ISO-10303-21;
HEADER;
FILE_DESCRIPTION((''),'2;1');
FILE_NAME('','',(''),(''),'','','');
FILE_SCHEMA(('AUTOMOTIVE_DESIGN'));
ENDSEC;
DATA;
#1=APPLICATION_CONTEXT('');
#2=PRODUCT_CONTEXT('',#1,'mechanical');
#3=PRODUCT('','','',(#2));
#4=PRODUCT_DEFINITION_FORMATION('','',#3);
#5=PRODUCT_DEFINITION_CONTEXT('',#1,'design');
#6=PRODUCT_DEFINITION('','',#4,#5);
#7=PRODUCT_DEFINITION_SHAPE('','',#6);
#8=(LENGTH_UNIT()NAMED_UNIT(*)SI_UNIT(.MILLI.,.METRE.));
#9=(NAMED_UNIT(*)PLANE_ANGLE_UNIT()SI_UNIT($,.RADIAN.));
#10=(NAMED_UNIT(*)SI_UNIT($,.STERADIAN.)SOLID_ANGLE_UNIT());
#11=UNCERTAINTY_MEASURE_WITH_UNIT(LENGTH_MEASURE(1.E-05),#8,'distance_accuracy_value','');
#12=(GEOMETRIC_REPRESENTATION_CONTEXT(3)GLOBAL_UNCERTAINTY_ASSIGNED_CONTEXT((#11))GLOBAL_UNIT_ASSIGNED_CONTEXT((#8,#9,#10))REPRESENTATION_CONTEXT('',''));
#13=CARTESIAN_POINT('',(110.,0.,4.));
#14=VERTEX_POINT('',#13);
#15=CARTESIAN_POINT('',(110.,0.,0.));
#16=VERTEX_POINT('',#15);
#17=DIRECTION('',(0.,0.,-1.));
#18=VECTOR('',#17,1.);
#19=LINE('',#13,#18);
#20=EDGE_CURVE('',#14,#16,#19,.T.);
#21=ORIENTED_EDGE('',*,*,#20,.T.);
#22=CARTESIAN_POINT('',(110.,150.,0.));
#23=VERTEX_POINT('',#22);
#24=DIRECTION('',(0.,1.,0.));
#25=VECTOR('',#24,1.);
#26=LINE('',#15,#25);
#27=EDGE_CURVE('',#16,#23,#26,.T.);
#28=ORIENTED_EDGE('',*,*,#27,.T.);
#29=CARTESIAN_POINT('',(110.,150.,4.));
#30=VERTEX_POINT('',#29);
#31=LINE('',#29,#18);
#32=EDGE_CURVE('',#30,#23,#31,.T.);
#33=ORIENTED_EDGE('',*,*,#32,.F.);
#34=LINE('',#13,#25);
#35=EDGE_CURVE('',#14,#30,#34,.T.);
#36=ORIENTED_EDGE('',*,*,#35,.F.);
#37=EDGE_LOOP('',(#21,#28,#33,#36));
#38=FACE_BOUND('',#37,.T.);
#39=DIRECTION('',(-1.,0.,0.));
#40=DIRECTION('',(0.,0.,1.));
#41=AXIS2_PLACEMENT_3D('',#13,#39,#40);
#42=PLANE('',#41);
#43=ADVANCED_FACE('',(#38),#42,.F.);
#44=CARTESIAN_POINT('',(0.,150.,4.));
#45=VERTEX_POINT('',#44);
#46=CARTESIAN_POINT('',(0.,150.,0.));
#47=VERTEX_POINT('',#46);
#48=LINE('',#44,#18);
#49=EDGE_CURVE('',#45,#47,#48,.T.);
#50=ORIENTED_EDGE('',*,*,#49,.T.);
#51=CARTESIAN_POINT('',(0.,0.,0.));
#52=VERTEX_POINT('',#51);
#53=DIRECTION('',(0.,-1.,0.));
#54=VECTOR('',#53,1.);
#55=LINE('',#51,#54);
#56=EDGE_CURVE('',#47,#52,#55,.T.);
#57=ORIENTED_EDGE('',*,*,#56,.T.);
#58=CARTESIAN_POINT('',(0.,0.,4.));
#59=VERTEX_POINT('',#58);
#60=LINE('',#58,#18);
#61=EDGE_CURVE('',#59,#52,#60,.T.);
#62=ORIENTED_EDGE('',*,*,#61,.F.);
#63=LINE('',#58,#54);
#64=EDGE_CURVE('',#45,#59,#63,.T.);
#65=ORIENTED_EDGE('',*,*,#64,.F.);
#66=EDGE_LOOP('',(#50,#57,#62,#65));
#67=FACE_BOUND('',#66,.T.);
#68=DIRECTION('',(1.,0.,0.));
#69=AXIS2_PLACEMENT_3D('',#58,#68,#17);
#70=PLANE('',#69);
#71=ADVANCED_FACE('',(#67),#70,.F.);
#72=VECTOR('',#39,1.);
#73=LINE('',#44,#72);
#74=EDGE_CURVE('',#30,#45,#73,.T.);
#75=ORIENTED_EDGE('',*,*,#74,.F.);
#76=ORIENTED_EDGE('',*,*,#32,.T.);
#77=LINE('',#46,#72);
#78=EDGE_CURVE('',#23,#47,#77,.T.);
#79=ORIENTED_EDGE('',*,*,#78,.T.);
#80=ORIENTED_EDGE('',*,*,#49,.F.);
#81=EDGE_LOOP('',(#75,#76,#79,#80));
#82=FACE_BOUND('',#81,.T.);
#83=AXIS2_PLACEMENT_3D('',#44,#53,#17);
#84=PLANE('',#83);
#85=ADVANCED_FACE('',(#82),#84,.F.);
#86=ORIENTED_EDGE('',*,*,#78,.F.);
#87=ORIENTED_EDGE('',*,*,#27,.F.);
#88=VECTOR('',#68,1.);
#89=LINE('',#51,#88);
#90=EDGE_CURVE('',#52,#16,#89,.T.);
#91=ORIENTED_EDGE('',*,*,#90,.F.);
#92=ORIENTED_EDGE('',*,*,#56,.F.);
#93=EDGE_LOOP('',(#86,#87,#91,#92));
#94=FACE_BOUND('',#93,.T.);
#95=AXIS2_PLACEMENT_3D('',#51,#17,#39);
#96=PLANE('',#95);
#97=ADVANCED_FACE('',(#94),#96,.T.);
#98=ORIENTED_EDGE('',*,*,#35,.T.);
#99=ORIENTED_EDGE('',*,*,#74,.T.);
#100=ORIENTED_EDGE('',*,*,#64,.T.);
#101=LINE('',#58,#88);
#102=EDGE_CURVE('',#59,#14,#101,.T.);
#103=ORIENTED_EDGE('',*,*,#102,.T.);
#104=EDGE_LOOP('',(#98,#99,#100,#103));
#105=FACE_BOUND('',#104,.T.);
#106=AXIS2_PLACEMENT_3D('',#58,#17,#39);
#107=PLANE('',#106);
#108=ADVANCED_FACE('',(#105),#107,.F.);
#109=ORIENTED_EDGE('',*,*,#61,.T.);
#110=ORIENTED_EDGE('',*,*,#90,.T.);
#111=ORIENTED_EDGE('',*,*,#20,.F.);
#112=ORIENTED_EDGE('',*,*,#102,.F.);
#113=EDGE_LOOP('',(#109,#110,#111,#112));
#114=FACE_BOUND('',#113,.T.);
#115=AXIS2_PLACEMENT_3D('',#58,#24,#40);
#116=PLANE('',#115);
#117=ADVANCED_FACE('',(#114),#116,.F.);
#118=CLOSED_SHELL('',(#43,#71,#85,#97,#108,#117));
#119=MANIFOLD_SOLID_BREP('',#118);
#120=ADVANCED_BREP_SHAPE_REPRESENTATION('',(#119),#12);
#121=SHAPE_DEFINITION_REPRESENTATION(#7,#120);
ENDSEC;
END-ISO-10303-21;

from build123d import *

# Parameters (mm, degrees)
SKETCH1_W           = 110
SKETCH1_H           = 150
BOSS_EXTRUDE1_DEPTH = 4


with BuildPart() as part:
    # Sketch1 → Boss-Extrude1 (new body)
    with BuildSketch(Plane.XY):
        with Locations((55, 75)):
            Rectangle(SKETCH1_W, SKETCH1_H)
    extrude(amount=BOSS_EXTRUDE1_DEPTH)


solid = part.part
